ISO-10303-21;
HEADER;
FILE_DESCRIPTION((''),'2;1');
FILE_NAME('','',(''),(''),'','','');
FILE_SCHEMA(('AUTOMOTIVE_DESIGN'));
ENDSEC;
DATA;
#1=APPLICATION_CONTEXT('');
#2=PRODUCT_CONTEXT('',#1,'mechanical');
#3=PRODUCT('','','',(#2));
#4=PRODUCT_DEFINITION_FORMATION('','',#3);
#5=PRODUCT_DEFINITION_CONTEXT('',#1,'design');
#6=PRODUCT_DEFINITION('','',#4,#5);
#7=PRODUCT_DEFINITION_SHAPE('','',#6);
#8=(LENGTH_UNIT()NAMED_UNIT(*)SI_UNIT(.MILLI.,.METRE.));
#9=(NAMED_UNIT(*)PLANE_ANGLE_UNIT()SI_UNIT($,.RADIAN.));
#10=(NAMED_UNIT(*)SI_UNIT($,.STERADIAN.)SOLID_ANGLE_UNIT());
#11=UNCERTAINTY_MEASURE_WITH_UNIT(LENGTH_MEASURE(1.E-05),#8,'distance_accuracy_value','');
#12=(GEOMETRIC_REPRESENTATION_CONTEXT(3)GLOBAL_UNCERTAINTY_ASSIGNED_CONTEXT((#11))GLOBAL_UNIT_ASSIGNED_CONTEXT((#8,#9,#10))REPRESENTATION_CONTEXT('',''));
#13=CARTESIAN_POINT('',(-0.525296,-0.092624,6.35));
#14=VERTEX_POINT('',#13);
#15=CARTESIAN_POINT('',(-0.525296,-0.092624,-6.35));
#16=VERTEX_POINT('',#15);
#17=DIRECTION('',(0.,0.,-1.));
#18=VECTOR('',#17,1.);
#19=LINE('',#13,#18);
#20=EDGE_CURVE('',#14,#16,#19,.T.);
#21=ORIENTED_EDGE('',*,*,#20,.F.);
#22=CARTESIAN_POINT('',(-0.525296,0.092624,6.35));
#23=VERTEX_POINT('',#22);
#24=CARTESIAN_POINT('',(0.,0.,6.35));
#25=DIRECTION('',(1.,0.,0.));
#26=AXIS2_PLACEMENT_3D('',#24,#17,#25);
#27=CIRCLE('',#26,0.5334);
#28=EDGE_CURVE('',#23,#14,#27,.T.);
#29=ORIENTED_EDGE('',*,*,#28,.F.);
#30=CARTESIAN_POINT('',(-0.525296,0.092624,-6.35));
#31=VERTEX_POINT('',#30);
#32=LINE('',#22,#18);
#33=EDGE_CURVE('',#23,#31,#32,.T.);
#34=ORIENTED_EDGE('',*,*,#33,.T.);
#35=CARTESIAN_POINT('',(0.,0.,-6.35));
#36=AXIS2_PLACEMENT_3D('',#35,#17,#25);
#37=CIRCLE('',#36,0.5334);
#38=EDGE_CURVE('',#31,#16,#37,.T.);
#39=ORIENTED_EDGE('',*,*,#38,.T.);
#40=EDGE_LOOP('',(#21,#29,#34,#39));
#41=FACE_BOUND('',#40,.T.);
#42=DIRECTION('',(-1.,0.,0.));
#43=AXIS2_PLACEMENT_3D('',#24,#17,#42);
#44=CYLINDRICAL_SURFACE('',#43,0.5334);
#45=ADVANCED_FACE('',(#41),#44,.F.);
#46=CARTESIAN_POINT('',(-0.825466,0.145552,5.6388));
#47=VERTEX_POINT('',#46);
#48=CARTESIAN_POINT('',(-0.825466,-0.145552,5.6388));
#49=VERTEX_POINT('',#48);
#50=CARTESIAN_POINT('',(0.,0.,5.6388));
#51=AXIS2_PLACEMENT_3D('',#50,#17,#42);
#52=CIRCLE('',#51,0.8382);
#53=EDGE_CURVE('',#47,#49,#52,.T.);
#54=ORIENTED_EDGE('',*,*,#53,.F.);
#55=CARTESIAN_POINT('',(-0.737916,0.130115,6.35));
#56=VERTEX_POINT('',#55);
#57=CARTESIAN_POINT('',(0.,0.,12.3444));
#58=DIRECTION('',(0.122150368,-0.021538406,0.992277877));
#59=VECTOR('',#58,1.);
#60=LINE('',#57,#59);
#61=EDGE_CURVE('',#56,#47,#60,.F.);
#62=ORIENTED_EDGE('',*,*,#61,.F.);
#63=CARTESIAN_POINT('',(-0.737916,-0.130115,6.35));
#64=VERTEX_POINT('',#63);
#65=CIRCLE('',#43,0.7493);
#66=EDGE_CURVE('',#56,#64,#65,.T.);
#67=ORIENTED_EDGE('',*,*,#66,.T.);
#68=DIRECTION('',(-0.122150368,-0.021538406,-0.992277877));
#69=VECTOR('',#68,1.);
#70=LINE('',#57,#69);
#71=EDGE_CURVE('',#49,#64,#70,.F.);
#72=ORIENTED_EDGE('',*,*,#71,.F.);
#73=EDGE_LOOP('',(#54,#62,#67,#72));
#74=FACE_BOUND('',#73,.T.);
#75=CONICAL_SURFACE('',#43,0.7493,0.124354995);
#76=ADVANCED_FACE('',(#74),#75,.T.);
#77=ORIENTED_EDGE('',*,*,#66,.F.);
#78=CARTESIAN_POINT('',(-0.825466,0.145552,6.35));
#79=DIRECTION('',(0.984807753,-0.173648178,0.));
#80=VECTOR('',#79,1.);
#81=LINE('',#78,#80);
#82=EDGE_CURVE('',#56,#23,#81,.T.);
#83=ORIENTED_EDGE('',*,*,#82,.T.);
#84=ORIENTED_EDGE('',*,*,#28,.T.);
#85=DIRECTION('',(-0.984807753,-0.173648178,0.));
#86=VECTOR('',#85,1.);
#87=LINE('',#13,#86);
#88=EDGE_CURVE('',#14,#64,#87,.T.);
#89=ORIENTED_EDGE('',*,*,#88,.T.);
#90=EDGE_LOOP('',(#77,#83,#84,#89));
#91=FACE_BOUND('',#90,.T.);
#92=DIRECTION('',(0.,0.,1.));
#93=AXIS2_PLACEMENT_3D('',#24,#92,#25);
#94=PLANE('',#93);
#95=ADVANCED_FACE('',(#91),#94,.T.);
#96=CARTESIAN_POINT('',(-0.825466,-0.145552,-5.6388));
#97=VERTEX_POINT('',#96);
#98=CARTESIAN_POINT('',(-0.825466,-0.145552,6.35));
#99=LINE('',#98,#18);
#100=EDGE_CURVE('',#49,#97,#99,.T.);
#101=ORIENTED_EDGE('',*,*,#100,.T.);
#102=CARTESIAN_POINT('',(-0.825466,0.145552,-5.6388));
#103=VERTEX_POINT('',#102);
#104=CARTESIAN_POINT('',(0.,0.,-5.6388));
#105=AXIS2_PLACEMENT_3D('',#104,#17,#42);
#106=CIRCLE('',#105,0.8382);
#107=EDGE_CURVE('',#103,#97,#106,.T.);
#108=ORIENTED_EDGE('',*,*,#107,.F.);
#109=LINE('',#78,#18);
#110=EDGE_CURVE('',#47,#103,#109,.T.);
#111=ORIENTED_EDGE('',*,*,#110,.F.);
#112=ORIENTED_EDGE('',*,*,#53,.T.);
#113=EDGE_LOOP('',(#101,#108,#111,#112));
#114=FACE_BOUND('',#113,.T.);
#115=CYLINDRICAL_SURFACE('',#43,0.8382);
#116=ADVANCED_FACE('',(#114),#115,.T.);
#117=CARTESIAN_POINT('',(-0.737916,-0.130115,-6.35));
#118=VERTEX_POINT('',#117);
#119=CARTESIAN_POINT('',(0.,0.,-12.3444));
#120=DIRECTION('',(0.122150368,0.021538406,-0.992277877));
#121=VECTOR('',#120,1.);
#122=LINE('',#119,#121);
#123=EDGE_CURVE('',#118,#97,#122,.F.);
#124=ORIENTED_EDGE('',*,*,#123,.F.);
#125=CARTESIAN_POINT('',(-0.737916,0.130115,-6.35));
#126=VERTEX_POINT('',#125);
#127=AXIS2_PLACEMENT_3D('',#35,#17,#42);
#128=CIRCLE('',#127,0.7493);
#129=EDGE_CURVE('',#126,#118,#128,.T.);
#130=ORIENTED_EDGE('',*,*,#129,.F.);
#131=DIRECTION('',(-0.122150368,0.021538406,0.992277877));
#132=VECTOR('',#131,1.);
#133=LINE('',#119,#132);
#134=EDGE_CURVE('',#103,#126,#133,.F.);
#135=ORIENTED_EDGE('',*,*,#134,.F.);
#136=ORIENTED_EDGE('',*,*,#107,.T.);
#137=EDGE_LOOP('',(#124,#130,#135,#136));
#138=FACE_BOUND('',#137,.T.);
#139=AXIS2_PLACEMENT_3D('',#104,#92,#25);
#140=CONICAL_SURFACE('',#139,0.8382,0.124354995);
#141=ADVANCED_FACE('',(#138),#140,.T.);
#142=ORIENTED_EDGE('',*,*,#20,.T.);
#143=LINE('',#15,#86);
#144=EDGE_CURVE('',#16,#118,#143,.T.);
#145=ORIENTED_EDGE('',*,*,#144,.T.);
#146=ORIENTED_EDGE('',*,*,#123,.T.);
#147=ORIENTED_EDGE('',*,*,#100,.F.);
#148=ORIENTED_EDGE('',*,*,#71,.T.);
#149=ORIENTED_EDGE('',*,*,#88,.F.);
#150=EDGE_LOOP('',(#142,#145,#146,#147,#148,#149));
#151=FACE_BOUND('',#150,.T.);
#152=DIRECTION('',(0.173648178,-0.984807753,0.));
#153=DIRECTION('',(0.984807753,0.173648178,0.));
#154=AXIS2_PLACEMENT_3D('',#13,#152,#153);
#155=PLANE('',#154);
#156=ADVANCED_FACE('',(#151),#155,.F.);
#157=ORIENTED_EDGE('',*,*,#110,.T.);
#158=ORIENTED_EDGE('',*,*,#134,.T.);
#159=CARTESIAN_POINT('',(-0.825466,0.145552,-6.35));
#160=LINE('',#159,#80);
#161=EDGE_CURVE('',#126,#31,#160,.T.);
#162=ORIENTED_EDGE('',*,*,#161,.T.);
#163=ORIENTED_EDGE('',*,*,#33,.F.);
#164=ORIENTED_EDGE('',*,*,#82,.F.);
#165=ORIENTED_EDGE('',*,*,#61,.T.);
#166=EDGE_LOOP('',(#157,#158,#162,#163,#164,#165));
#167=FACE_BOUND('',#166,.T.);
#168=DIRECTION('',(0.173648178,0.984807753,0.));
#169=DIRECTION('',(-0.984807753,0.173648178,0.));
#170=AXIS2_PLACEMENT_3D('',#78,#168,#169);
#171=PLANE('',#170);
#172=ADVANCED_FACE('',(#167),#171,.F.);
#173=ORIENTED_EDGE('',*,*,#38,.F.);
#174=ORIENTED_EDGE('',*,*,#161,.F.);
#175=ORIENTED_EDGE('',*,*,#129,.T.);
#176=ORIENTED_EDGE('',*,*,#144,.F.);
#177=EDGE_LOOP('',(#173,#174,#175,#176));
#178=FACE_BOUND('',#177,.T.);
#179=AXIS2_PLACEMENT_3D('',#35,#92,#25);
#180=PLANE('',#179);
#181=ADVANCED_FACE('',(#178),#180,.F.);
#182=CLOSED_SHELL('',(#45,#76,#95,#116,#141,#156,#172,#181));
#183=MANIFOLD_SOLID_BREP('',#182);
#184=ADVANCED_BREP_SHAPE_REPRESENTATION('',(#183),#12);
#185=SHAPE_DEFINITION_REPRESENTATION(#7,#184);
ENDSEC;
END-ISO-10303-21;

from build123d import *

# Parameters (mm, degrees)
EXTRUDE1_DEPTH = 6.35


with BuildPart() as part:
    # Sketch1 → Extrude1 (new body, symmetric)
    with BuildSketch(Plane.XY):
        with BuildLine():
            Line((-0.825465859, 0.145551903), (-0.525296455, 0.092623938))
            ThreePointArc((-0.525296455, 0.092623938), (0.5334, 0), (-0.525296455, -0.092623938))
            Line((-0.525296455, -0.092623938), (-0.825465859, -0.145551903))
            ThreePointArc((-0.825465859, -0.145551903), (0.8382, 0), (-0.825465859, 0.145551903))
        make_face()
    extrude(amount=EXTRUDE1_DEPTH, both=True)

    # Sketch2 → Cut-Revolve1 (revolve, cut)
    with BuildSketch(Plane(origin=(0, 0, 0), x_dir=(0, 0, -1), z_dir=(1, 0, 0))):
        Polygon((6.35, 0.8382), (6.35, 0.7493), (5.6388, 0.8382), align=None)
        Polygon((-5.6388, 0.8382), (-6.35, 0.8382), (-6.35, 0.7493), align=None)
    revolve(axis=Axis((0, 0, -6.35), (0, 0, 1)), mode=Mode.SUBTRACT)


solid = part.part
